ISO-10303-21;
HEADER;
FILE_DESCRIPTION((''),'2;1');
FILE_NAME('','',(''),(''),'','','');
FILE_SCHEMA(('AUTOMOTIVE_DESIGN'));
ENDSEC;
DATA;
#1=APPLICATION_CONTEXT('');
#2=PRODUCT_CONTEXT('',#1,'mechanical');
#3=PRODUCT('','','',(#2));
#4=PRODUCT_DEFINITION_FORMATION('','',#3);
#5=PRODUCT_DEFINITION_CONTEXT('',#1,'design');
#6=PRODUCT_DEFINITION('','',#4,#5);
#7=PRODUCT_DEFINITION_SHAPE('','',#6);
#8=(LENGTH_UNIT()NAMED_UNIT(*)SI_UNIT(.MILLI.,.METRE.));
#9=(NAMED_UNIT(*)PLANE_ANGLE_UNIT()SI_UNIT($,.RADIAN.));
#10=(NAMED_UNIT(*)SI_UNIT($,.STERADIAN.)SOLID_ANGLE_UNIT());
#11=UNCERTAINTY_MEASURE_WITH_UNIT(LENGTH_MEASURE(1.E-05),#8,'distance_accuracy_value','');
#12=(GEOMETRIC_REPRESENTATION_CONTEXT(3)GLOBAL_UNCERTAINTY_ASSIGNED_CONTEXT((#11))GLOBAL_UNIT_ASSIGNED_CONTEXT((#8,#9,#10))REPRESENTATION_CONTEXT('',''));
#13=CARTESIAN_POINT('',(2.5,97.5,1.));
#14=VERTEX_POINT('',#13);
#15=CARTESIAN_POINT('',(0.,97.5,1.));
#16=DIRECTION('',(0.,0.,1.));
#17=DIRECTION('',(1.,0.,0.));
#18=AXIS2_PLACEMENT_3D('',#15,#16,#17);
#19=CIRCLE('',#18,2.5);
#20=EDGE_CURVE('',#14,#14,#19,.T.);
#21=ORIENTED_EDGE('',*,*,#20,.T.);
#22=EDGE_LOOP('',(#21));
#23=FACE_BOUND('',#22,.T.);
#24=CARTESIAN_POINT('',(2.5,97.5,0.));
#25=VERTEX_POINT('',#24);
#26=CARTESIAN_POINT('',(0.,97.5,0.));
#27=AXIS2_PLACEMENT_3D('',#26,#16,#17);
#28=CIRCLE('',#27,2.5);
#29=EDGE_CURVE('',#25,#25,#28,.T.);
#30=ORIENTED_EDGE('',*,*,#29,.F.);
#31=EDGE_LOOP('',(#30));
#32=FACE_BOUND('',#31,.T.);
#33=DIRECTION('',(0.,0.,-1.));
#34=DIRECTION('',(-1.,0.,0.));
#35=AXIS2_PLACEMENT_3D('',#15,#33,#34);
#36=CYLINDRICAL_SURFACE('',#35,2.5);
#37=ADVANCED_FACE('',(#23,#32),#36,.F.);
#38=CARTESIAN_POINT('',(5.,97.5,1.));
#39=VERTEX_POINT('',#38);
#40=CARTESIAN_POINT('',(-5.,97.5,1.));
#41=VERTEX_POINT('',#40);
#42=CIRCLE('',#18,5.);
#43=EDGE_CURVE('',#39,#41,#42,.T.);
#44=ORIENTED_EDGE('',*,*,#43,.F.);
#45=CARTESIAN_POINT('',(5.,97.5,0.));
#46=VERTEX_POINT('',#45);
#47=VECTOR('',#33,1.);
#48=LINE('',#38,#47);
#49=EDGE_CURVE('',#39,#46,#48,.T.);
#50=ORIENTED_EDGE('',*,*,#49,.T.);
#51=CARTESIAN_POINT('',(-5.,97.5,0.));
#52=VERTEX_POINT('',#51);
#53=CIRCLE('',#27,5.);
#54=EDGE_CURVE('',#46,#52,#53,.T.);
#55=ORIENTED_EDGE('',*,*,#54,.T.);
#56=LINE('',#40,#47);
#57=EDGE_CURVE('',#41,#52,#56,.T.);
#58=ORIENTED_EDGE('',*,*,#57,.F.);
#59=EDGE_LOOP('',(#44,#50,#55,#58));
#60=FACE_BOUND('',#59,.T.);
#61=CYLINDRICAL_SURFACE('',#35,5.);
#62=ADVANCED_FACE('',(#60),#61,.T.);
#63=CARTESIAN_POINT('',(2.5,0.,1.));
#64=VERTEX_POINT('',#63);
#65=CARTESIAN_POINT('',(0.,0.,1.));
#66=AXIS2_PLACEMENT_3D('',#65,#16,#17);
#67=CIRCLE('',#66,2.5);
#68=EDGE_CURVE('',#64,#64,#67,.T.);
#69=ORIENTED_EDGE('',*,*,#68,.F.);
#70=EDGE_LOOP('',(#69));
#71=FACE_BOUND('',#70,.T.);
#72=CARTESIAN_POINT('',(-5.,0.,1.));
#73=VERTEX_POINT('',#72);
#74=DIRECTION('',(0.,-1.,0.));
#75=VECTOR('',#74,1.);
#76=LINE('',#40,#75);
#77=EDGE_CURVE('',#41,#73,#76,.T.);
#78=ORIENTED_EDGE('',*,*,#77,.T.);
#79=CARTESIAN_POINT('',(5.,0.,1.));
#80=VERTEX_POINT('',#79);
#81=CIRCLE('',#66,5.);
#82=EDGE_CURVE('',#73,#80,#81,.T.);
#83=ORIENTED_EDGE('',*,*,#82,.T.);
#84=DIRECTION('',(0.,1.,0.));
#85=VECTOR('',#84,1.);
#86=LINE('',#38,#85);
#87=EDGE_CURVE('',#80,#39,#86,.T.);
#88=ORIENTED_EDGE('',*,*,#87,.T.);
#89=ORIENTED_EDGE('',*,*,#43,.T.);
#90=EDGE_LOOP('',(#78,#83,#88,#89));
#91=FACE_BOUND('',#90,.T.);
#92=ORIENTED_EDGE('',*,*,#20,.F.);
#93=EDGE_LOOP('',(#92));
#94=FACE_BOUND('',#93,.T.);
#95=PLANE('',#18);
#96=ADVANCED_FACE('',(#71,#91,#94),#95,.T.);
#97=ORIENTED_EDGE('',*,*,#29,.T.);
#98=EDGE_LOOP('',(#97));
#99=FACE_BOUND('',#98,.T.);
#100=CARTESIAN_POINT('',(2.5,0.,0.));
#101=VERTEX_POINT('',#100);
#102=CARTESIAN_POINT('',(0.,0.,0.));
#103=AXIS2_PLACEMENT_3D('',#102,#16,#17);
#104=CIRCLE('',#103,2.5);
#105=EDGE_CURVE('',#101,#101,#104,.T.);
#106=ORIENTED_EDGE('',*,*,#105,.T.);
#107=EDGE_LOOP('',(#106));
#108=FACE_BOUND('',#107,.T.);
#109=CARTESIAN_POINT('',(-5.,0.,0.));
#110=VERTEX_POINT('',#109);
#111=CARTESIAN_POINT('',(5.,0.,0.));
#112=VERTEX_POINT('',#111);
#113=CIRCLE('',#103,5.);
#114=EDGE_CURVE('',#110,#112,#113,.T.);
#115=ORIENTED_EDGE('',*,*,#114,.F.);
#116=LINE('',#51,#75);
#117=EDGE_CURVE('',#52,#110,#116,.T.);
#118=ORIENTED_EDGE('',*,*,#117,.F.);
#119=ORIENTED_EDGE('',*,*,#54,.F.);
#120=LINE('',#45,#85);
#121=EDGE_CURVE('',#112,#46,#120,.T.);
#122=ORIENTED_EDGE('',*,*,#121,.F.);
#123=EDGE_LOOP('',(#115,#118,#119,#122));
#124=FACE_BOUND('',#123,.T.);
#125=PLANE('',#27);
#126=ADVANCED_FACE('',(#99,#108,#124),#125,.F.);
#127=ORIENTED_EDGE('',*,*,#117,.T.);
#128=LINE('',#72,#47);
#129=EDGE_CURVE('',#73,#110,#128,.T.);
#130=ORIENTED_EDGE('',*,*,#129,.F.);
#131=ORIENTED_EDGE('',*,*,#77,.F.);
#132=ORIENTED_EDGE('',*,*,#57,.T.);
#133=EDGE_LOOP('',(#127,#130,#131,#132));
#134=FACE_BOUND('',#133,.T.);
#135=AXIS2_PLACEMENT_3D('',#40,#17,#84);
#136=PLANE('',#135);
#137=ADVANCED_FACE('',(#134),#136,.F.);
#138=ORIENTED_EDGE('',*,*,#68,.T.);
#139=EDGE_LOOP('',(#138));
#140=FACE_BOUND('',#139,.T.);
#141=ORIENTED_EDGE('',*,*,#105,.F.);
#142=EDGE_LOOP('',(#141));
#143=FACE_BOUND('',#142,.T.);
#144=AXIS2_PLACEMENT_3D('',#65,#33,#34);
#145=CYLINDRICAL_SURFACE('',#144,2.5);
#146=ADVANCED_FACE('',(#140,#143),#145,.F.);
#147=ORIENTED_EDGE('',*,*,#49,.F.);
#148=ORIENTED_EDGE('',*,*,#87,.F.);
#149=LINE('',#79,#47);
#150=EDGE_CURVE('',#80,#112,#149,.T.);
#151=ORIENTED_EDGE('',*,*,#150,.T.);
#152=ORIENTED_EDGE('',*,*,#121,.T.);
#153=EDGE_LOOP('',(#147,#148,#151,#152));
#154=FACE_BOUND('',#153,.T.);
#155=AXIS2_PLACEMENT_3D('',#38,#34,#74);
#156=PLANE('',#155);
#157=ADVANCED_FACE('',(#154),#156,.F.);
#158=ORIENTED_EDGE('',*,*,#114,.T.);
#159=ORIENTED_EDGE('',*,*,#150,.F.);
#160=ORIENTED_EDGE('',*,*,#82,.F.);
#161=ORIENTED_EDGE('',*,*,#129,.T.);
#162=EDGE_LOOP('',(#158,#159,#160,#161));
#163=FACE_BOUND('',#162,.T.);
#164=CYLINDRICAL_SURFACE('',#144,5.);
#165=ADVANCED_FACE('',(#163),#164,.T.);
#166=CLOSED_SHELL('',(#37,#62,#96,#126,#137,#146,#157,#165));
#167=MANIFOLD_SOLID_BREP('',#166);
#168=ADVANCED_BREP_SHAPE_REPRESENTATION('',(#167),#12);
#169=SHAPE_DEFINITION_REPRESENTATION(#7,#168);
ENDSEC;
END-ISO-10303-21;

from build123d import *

# Parameters (mm, degrees)
SKETCH_1_R      = 2.5
EXTRUDE_1_DEPTH = 1


with BuildPart() as part:
    # Эскиз1 → Бобышка-Вытянуть1 (new body)
    with BuildSketch(Plane.XY):
        with BuildLine():
            Line((-5, 97.5), (-5, 0))
            ThreePointArc((-5, 0), (0, -5), (5, 0))
            Line((5, 0), (5, 97.5))
            ThreePointArc((5, 97.5), (0, 102.5), (-5, 97.5))
        make_face()
        Circle(SKETCH_1_R, mode=Mode.SUBTRACT)
        with Locations((0, 97.5)):
            Circle(SKETCH_1_R, mode=Mode.SUBTRACT)
    extrude(amount=EXTRUDE_1_DEPTH)


solid = part.part
